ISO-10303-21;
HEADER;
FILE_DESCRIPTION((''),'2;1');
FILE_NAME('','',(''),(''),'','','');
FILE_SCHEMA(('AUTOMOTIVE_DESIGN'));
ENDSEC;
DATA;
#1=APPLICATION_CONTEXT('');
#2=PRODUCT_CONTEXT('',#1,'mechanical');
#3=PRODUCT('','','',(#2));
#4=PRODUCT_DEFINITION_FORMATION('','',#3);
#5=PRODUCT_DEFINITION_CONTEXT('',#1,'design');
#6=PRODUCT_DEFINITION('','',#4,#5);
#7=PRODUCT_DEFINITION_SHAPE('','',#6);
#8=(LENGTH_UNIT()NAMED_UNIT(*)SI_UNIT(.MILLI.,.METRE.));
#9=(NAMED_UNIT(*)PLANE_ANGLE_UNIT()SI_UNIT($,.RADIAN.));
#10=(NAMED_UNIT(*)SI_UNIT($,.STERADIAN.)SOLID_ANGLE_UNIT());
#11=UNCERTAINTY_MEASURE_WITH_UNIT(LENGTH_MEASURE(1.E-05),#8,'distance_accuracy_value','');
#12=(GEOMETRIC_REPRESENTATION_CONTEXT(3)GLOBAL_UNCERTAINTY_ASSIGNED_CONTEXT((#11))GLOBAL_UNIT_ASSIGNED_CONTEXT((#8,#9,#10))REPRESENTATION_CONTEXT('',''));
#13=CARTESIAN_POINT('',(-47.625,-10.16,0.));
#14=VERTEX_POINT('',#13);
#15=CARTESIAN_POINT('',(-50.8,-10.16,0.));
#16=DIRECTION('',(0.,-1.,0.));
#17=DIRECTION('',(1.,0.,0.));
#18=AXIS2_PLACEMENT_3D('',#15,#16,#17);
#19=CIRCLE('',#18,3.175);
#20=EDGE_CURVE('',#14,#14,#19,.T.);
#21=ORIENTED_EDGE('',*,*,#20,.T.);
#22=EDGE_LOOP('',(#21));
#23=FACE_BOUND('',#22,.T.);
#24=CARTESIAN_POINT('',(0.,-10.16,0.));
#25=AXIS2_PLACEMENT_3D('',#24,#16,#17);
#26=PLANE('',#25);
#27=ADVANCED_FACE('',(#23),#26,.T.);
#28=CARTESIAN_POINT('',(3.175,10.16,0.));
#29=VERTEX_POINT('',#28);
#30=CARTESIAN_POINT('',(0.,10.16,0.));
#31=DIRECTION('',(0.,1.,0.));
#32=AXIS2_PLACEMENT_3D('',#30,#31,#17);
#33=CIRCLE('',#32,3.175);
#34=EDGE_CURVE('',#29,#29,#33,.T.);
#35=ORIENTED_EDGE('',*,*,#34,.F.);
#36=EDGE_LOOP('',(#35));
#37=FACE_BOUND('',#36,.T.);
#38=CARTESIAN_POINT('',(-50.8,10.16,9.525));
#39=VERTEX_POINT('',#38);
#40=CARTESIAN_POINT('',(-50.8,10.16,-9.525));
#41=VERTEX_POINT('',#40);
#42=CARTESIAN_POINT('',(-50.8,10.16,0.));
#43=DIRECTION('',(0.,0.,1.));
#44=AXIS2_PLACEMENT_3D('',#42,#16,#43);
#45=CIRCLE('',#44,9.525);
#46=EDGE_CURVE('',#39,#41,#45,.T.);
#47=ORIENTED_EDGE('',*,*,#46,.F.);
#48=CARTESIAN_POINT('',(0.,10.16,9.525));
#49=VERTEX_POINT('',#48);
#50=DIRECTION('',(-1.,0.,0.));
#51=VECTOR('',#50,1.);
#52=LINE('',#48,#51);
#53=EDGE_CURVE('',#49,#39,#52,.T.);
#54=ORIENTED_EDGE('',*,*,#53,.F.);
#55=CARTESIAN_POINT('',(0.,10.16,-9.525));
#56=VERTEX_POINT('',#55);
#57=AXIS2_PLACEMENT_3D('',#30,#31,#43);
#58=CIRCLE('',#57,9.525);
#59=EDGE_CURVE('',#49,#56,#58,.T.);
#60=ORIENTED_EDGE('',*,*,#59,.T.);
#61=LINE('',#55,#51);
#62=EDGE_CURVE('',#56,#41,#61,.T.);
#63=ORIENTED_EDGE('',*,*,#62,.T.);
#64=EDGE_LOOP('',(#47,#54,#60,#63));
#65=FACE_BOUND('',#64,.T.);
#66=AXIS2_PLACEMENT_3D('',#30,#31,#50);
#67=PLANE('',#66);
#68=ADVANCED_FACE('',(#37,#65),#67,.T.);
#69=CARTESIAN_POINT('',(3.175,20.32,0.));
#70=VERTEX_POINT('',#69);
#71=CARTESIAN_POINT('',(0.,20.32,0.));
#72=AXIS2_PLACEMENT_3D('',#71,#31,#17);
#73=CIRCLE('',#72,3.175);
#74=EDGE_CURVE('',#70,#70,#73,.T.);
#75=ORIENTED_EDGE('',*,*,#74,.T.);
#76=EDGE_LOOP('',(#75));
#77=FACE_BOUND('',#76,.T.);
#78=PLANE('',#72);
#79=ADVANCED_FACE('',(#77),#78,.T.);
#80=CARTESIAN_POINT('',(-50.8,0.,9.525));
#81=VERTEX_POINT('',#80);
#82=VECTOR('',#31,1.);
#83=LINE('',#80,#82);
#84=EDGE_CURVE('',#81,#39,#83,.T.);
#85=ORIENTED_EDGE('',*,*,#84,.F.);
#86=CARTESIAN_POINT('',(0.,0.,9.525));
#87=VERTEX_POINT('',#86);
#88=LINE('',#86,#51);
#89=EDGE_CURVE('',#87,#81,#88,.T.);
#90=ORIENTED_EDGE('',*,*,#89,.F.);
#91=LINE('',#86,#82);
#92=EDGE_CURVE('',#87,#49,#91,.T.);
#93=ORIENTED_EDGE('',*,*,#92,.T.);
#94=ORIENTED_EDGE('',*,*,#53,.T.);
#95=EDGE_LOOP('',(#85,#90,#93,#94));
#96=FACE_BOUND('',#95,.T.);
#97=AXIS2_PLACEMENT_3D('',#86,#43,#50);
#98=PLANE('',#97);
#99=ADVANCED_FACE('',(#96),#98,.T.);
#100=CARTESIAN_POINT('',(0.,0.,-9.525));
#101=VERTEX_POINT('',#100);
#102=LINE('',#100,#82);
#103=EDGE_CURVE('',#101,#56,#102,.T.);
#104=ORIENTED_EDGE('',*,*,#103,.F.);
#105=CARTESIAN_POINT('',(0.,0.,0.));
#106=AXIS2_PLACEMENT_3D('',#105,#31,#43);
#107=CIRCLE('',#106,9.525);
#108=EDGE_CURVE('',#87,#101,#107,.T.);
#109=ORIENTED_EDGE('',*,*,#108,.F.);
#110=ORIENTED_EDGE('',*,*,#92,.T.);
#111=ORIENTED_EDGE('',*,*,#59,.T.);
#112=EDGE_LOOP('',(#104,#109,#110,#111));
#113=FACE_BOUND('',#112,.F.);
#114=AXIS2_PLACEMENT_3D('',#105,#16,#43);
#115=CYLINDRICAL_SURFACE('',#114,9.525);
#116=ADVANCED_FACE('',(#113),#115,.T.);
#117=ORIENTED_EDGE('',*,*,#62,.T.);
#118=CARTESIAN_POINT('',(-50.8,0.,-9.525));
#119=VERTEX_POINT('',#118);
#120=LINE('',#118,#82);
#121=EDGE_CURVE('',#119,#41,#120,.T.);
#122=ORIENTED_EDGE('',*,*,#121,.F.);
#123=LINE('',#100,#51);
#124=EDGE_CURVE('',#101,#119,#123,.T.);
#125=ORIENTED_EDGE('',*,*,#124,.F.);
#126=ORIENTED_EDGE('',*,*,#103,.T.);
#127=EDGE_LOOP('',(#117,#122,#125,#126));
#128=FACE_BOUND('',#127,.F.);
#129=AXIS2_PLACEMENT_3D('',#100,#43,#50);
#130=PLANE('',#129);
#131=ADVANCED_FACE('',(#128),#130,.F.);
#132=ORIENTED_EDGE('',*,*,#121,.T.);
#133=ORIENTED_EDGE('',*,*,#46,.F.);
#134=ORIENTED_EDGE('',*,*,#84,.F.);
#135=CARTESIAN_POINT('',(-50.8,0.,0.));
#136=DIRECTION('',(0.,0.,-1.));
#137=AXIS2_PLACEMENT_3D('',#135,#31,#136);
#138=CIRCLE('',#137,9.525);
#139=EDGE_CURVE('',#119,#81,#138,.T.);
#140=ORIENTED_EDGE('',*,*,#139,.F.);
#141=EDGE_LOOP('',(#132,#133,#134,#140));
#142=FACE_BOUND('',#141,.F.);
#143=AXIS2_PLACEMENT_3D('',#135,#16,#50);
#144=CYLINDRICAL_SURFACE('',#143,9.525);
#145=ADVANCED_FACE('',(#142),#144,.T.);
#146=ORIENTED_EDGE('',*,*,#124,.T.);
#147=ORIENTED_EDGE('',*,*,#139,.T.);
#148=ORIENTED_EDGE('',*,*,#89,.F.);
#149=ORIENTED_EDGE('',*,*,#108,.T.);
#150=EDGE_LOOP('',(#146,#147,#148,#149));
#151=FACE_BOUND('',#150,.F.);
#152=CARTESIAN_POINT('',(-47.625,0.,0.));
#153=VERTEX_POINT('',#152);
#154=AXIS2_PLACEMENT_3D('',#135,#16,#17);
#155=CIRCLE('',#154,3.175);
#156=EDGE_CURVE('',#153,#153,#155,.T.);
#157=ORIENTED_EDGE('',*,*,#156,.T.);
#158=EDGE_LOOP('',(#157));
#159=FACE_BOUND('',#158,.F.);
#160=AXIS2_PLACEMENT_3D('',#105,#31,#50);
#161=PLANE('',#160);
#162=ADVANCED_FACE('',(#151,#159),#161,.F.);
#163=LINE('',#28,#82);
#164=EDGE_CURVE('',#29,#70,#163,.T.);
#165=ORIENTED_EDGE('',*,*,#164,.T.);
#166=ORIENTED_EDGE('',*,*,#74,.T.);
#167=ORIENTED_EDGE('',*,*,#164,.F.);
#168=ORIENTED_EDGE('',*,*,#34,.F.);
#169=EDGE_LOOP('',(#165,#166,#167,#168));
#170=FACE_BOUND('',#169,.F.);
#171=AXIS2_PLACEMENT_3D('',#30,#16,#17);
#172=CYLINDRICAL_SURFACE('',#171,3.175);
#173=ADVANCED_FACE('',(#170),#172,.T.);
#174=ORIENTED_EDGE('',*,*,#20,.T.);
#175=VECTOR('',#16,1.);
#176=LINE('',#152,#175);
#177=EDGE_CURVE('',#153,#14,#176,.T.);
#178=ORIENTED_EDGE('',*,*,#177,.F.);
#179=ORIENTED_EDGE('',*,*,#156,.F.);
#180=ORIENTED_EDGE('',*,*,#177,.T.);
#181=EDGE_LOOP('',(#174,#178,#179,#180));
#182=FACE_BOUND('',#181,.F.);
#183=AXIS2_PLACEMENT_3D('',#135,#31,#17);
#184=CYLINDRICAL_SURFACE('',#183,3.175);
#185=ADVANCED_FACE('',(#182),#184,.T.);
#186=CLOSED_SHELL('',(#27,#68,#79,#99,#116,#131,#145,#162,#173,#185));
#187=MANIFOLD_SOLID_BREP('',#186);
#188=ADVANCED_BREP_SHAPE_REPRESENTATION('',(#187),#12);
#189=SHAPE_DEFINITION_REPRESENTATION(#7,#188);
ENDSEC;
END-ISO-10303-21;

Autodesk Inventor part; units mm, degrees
ref_plane "YZ Plane" through (0, 0, 0) normal (1, 0, 0) x (0, 1, 0)
ref_plane "XZ Plane" through (0, 0, 0) normal (0, 1, 0) x (-1, 0, 0)
ref_plane "XY Plane" through (0, 0, 0) normal (0, 0, 1) x (1, 0, 0)
sketch "Sketch1" plane through (0, 0, 0) normal (0, 1, 0) x (-1, 0, 0)
  line L0 (0, 0) -> (50.8, 0) construction
  arc A0 (0, 9.525) -> (0, -9.525) centre (0, 0) ccw
  line L1 (0, -9.525) -> (50.8, -9.525)
  line L2 (0, 9.525) -> (50.8, 9.525)
  circle A1 centre (50.8, 0) radius 9.525
  dimension "d1" = 50.8
  dimension "d4" = 19.05
  dimension "d14" = 50.8
  dimension "d15" = 50.8
  dimension "d16" = 19.05
extrude "Extrusion1" add sketch "Sketch1" along normal blind 10.16
sketch "Sketch4" plane through (0, 10.16, 0) normal (0, 1, 0) x (1, 0, 0)
  circle A0 centre (0, 0) radius 3.175
  dimension "d17" = 6.35
extrude "Extrusion4" add sketch "Sketch4" along normal blind 10.16
sketch "Sketch5" plane through (0, 0, 0) normal (0, -1, 0) x (1, 0, 0)
  circle A0 centre (-50.8, 0) radius 3.175
  arc A1 (-50.8, 9.525) -> (-50.8, -9.525) centre (-50.8, 0) ccw projected
  point P0 (0, 0)
  dimension "d20" = 6.35
extrude "Extrusion5" add sketch "Sketch5" along normal blind 10.16
properties part number "Connecting_bar"
